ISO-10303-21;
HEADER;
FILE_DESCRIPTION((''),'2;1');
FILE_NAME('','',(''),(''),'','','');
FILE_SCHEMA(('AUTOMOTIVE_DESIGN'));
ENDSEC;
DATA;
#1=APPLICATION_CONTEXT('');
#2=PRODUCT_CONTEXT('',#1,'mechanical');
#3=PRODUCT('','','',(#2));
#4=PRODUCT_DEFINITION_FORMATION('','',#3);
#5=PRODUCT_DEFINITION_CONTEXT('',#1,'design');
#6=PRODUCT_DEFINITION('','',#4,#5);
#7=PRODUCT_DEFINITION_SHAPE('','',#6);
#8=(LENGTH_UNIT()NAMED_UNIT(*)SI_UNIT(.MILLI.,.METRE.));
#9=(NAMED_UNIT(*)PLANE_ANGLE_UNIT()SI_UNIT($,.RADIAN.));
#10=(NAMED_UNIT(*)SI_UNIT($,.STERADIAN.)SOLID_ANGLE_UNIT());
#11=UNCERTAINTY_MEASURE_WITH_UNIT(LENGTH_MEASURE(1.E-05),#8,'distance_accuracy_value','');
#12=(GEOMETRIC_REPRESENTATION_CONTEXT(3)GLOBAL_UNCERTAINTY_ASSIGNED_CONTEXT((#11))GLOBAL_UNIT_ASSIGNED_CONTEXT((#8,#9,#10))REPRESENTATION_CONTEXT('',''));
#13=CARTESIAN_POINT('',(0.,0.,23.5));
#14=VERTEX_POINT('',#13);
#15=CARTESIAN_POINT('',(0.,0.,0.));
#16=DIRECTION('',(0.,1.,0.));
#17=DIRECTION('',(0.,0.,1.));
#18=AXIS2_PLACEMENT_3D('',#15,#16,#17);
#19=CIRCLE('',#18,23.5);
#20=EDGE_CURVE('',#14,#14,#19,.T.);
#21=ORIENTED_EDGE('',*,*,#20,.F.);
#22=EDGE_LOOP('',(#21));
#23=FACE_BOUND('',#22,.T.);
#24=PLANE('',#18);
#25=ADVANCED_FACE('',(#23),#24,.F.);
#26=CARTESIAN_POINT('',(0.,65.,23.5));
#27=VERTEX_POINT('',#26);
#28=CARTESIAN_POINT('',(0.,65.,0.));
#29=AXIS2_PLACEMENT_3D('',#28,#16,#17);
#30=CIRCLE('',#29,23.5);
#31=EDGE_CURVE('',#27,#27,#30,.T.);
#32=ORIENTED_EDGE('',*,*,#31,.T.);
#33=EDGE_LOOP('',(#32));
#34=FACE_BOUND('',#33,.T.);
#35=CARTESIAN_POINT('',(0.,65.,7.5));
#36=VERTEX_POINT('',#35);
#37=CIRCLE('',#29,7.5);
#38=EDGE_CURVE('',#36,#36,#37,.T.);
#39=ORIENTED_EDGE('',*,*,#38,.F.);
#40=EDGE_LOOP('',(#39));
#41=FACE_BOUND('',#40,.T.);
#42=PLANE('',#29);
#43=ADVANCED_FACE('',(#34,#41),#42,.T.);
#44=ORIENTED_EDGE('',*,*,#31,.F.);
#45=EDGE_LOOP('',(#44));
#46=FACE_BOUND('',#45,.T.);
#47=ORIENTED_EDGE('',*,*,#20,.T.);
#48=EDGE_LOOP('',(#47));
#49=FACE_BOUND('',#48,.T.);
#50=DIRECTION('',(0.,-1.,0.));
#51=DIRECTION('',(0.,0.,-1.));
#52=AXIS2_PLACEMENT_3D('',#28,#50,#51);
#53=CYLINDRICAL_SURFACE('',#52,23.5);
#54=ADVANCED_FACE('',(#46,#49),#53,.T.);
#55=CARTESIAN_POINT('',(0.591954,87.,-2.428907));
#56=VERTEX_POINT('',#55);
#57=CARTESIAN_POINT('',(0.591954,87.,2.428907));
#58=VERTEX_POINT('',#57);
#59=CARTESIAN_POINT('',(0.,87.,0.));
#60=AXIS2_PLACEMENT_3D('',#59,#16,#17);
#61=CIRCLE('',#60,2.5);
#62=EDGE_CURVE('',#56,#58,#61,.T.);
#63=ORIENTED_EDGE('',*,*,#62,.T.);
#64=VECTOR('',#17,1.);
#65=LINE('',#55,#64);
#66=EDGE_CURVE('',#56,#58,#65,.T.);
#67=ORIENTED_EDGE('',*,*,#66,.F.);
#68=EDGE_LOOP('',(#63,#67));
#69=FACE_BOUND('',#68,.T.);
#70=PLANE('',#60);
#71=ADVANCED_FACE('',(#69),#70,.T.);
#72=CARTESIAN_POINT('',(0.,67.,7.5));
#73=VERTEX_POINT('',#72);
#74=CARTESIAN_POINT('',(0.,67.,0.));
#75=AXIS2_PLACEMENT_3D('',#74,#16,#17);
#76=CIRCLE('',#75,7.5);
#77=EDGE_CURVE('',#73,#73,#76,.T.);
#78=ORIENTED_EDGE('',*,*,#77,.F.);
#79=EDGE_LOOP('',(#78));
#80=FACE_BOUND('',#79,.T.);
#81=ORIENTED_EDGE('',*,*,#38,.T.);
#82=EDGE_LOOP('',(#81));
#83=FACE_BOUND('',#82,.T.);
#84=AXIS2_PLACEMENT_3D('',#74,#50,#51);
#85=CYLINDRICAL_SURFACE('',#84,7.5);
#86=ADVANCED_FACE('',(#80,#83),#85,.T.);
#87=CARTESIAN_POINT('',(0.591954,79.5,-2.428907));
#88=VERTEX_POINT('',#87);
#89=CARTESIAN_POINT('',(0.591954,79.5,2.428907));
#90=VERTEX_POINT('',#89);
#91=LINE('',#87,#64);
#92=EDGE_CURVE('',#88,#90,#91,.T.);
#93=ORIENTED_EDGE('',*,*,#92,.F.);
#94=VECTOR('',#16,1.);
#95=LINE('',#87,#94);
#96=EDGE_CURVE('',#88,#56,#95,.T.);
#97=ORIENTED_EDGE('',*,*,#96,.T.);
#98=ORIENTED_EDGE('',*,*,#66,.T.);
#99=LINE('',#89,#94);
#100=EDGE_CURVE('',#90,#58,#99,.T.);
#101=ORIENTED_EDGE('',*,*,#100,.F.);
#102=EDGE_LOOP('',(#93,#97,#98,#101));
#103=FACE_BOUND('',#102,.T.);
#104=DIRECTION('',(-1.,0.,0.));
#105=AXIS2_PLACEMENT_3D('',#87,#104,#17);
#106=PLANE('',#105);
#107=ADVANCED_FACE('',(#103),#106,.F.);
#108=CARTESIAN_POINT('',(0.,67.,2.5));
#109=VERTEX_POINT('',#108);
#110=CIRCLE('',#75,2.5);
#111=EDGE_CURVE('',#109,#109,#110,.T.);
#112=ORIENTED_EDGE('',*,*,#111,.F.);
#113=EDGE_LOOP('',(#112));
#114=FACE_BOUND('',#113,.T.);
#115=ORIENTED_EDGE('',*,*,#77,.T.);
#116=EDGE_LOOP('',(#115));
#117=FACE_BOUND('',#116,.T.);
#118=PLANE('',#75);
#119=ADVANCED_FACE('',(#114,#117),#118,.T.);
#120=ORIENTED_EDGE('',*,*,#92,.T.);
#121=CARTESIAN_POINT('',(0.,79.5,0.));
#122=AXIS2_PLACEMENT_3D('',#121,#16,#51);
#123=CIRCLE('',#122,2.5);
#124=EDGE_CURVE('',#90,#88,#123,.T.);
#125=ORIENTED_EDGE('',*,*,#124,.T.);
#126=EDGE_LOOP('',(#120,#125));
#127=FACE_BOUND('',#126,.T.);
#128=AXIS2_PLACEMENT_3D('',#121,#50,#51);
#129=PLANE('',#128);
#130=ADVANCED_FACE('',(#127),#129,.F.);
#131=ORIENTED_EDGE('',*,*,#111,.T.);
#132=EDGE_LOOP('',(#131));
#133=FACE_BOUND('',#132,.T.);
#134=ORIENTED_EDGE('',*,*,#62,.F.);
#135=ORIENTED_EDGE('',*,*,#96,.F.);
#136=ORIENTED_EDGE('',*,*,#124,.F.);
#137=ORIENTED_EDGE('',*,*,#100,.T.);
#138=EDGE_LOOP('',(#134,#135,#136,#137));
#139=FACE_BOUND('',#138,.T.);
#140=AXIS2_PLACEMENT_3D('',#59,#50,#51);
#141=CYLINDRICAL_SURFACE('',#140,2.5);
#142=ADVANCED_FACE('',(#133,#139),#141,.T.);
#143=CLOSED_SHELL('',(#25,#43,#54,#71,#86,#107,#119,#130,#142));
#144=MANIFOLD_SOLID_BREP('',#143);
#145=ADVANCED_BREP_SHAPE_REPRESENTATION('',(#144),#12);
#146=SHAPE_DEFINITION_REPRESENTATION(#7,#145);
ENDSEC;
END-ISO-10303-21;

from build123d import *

# Parameters (mm, degrees)
SKETCH1_R           = 23.5
BOSS_EXTRUDE1_DEPTH = 65
SKETCH2_R           = 7.5
BOSS_EXTRUDE2_DEPTH = 2
SKETCH3_R           = 2.5
BOSS_EXTRUDE3_DEPTH = 20
CUT_EXTRUDE2_START  = -7.5
CUT_EXTRUDE2_DEPTH  = 7.5


with BuildPart() as part:
    # Sketch1 → Boss-Extrude1 (new body)
    with BuildSketch(Plane(origin=(0, 0, 0), x_dir=(1, 0, 0), z_dir=(0, 1, 0))):
        with Locations(Location((0, 0, 0), (0, 0, 270))):
            Circle(SKETCH1_R)
    extrude(amount=BOSS_EXTRUDE1_DEPTH)

    # Sketch2 → Boss-Extrude2 (add)
    with BuildSketch(Plane(origin=(0, 65, 0), x_dir=(1, 0, 0), z_dir=(0, 1, 0))):
        with Locations(Location((0, 0, 0), (0, 0, 270))):
            Circle(SKETCH2_R)
    extrude(amount=BOSS_EXTRUDE2_DEPTH)

    # Sketch3 → Boss-Extrude3 (add)
    with BuildSketch(Plane(origin=(0, 67, 0), x_dir=(1, 0, 0), z_dir=(0, 1, 0))):
        with Locations(Location((0, 0, 0), (0, 0, 270))):
            Circle(SKETCH3_R)
    extrude(amount=BOSS_EXTRUDE3_DEPTH)

    # Sketch4 → Cut-Extrude2 (cut)
    with BuildSketch(Plane(origin=(0, 87, 0), x_dir=(1, 0, 0), z_dir=(0, 1, 0)).offset(CUT_EXTRUDE2_START)):
        with BuildLine():
            Line((0.591953549, 2.428907367), (0.591953549, -2.428907367))
            ThreePointArc((0.591953549, -2.428907367), (2.5, 0), (0.591953549, 2.428907367))
        make_face()
    extrude(amount=CUT_EXTRUDE2_DEPTH, mode=Mode.SUBTRACT)


solid = part.part
